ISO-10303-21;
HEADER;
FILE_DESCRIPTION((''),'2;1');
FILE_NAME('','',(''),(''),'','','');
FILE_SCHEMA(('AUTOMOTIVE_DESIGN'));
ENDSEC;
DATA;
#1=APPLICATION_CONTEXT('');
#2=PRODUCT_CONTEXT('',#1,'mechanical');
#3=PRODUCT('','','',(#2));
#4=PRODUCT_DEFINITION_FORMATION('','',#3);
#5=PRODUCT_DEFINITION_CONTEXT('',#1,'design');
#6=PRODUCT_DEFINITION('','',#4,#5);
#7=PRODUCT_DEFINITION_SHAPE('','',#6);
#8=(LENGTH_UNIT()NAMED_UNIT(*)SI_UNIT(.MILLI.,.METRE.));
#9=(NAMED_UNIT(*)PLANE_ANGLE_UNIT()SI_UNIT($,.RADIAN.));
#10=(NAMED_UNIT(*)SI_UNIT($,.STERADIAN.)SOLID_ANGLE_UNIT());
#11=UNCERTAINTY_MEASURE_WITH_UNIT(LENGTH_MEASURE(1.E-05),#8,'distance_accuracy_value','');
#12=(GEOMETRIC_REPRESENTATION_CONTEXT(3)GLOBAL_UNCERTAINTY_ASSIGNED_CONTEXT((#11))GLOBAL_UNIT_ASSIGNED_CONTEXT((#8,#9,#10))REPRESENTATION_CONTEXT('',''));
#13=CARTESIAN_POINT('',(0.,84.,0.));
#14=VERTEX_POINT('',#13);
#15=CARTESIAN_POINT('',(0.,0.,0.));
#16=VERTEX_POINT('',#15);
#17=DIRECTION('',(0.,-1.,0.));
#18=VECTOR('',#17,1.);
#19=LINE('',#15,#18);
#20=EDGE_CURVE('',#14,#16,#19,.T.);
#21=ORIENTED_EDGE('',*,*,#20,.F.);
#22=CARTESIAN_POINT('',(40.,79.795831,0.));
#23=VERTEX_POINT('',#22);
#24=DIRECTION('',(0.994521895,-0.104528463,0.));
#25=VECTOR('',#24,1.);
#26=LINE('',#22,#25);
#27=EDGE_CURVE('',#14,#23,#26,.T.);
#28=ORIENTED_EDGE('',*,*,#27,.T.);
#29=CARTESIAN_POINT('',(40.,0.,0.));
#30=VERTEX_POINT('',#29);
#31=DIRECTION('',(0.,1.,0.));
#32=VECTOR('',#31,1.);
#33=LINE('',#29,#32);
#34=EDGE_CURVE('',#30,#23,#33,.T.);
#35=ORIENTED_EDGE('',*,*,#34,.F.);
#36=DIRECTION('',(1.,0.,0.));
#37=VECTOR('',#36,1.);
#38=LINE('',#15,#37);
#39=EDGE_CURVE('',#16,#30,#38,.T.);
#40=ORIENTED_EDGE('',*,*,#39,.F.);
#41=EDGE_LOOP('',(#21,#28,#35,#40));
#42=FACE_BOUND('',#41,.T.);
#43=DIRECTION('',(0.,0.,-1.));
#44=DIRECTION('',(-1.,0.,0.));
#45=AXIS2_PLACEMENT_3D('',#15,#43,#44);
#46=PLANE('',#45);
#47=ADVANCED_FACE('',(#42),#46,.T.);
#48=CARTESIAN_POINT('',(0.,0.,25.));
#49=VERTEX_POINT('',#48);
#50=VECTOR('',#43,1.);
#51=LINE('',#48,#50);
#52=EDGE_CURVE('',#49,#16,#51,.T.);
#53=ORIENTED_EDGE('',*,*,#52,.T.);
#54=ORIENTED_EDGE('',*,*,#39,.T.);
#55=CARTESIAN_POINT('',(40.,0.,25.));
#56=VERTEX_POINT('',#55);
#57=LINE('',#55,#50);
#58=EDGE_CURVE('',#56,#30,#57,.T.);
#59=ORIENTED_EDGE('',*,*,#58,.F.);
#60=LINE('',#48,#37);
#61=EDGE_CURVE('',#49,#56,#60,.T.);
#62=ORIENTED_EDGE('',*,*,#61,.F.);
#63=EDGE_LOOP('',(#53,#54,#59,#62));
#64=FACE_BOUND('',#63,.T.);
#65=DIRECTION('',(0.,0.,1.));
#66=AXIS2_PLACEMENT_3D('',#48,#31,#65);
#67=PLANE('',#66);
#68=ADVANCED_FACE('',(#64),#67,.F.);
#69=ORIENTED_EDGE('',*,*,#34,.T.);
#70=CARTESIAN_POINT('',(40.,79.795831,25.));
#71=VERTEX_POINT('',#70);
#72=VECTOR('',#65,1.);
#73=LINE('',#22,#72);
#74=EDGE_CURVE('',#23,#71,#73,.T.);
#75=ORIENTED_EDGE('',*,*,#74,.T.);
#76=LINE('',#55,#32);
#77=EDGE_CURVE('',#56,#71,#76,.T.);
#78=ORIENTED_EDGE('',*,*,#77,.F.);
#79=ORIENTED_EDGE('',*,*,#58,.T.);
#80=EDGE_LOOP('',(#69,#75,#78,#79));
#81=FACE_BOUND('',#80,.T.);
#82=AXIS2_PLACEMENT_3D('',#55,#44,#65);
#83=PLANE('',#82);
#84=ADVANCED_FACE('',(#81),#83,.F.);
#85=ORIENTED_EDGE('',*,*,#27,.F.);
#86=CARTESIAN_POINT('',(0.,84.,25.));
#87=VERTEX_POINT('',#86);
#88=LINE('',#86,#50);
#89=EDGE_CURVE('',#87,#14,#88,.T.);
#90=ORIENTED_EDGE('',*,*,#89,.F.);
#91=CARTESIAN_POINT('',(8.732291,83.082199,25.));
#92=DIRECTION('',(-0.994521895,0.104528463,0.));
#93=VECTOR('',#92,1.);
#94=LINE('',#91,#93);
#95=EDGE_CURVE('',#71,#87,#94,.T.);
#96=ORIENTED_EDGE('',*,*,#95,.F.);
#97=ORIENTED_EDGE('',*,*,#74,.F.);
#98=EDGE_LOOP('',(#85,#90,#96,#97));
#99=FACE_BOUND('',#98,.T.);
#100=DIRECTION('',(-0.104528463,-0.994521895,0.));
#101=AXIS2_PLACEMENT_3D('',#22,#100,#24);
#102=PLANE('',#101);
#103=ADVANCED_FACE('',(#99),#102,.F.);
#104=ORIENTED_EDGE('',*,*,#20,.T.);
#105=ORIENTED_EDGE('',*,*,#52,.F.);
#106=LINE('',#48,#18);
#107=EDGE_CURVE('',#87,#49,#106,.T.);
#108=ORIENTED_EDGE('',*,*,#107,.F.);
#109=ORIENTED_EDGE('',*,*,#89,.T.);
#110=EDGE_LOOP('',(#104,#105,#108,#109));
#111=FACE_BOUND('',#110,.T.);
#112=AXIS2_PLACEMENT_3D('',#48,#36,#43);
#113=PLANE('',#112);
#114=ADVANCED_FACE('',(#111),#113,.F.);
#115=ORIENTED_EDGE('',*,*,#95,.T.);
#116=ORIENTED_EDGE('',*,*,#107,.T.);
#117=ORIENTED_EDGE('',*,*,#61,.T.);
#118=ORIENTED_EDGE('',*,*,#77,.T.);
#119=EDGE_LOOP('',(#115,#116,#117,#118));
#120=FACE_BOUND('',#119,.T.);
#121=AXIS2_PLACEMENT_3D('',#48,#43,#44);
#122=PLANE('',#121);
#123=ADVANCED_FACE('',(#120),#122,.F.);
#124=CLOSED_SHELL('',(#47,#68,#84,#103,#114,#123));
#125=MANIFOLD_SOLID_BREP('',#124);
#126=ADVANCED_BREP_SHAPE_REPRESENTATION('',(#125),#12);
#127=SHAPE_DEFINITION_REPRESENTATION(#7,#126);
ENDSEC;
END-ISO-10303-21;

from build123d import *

# Parameters (mm, degrees)
ESQUISSE1_W                  = 40
ESQUISSE1_H                  = 84
BOSS_EXTRU_1_DEPTH           = 25
ENL_V_MAT_EXTRU_1_DEPTH      = 97.337946833
ENL_V_MAT_EXTRU_1_DEPTH_BACK = 97.337946833


with BuildPart() as part:
    # Esquisse1 → Boss.-Extru.1 (new body)
    with BuildSketch(Plane.XY):
        with Locations((20, 42)):
            Rectangle(ESQUISSE1_W, ESQUISSE1_H)
    extrude(amount=BOSS_EXTRU_1_DEPTH)

    # Esquisse2 → Enlèv. mat.-Extru.1 (cut, two sides: drawn at the far end of the back side and taken through both)
    with BuildSketch(Plane.XY.offset(25).offset(-ENL_V_MAT_EXTRU_1_DEPTH_BACK)):
        Polygon((40, 79.795830589), (0, 84), (40, 84), align=None)
    extrude(amount=ENL_V_MAT_EXTRU_1_DEPTH + ENL_V_MAT_EXTRU_1_DEPTH_BACK, mode=Mode.SUBTRACT)


solid = part.part
